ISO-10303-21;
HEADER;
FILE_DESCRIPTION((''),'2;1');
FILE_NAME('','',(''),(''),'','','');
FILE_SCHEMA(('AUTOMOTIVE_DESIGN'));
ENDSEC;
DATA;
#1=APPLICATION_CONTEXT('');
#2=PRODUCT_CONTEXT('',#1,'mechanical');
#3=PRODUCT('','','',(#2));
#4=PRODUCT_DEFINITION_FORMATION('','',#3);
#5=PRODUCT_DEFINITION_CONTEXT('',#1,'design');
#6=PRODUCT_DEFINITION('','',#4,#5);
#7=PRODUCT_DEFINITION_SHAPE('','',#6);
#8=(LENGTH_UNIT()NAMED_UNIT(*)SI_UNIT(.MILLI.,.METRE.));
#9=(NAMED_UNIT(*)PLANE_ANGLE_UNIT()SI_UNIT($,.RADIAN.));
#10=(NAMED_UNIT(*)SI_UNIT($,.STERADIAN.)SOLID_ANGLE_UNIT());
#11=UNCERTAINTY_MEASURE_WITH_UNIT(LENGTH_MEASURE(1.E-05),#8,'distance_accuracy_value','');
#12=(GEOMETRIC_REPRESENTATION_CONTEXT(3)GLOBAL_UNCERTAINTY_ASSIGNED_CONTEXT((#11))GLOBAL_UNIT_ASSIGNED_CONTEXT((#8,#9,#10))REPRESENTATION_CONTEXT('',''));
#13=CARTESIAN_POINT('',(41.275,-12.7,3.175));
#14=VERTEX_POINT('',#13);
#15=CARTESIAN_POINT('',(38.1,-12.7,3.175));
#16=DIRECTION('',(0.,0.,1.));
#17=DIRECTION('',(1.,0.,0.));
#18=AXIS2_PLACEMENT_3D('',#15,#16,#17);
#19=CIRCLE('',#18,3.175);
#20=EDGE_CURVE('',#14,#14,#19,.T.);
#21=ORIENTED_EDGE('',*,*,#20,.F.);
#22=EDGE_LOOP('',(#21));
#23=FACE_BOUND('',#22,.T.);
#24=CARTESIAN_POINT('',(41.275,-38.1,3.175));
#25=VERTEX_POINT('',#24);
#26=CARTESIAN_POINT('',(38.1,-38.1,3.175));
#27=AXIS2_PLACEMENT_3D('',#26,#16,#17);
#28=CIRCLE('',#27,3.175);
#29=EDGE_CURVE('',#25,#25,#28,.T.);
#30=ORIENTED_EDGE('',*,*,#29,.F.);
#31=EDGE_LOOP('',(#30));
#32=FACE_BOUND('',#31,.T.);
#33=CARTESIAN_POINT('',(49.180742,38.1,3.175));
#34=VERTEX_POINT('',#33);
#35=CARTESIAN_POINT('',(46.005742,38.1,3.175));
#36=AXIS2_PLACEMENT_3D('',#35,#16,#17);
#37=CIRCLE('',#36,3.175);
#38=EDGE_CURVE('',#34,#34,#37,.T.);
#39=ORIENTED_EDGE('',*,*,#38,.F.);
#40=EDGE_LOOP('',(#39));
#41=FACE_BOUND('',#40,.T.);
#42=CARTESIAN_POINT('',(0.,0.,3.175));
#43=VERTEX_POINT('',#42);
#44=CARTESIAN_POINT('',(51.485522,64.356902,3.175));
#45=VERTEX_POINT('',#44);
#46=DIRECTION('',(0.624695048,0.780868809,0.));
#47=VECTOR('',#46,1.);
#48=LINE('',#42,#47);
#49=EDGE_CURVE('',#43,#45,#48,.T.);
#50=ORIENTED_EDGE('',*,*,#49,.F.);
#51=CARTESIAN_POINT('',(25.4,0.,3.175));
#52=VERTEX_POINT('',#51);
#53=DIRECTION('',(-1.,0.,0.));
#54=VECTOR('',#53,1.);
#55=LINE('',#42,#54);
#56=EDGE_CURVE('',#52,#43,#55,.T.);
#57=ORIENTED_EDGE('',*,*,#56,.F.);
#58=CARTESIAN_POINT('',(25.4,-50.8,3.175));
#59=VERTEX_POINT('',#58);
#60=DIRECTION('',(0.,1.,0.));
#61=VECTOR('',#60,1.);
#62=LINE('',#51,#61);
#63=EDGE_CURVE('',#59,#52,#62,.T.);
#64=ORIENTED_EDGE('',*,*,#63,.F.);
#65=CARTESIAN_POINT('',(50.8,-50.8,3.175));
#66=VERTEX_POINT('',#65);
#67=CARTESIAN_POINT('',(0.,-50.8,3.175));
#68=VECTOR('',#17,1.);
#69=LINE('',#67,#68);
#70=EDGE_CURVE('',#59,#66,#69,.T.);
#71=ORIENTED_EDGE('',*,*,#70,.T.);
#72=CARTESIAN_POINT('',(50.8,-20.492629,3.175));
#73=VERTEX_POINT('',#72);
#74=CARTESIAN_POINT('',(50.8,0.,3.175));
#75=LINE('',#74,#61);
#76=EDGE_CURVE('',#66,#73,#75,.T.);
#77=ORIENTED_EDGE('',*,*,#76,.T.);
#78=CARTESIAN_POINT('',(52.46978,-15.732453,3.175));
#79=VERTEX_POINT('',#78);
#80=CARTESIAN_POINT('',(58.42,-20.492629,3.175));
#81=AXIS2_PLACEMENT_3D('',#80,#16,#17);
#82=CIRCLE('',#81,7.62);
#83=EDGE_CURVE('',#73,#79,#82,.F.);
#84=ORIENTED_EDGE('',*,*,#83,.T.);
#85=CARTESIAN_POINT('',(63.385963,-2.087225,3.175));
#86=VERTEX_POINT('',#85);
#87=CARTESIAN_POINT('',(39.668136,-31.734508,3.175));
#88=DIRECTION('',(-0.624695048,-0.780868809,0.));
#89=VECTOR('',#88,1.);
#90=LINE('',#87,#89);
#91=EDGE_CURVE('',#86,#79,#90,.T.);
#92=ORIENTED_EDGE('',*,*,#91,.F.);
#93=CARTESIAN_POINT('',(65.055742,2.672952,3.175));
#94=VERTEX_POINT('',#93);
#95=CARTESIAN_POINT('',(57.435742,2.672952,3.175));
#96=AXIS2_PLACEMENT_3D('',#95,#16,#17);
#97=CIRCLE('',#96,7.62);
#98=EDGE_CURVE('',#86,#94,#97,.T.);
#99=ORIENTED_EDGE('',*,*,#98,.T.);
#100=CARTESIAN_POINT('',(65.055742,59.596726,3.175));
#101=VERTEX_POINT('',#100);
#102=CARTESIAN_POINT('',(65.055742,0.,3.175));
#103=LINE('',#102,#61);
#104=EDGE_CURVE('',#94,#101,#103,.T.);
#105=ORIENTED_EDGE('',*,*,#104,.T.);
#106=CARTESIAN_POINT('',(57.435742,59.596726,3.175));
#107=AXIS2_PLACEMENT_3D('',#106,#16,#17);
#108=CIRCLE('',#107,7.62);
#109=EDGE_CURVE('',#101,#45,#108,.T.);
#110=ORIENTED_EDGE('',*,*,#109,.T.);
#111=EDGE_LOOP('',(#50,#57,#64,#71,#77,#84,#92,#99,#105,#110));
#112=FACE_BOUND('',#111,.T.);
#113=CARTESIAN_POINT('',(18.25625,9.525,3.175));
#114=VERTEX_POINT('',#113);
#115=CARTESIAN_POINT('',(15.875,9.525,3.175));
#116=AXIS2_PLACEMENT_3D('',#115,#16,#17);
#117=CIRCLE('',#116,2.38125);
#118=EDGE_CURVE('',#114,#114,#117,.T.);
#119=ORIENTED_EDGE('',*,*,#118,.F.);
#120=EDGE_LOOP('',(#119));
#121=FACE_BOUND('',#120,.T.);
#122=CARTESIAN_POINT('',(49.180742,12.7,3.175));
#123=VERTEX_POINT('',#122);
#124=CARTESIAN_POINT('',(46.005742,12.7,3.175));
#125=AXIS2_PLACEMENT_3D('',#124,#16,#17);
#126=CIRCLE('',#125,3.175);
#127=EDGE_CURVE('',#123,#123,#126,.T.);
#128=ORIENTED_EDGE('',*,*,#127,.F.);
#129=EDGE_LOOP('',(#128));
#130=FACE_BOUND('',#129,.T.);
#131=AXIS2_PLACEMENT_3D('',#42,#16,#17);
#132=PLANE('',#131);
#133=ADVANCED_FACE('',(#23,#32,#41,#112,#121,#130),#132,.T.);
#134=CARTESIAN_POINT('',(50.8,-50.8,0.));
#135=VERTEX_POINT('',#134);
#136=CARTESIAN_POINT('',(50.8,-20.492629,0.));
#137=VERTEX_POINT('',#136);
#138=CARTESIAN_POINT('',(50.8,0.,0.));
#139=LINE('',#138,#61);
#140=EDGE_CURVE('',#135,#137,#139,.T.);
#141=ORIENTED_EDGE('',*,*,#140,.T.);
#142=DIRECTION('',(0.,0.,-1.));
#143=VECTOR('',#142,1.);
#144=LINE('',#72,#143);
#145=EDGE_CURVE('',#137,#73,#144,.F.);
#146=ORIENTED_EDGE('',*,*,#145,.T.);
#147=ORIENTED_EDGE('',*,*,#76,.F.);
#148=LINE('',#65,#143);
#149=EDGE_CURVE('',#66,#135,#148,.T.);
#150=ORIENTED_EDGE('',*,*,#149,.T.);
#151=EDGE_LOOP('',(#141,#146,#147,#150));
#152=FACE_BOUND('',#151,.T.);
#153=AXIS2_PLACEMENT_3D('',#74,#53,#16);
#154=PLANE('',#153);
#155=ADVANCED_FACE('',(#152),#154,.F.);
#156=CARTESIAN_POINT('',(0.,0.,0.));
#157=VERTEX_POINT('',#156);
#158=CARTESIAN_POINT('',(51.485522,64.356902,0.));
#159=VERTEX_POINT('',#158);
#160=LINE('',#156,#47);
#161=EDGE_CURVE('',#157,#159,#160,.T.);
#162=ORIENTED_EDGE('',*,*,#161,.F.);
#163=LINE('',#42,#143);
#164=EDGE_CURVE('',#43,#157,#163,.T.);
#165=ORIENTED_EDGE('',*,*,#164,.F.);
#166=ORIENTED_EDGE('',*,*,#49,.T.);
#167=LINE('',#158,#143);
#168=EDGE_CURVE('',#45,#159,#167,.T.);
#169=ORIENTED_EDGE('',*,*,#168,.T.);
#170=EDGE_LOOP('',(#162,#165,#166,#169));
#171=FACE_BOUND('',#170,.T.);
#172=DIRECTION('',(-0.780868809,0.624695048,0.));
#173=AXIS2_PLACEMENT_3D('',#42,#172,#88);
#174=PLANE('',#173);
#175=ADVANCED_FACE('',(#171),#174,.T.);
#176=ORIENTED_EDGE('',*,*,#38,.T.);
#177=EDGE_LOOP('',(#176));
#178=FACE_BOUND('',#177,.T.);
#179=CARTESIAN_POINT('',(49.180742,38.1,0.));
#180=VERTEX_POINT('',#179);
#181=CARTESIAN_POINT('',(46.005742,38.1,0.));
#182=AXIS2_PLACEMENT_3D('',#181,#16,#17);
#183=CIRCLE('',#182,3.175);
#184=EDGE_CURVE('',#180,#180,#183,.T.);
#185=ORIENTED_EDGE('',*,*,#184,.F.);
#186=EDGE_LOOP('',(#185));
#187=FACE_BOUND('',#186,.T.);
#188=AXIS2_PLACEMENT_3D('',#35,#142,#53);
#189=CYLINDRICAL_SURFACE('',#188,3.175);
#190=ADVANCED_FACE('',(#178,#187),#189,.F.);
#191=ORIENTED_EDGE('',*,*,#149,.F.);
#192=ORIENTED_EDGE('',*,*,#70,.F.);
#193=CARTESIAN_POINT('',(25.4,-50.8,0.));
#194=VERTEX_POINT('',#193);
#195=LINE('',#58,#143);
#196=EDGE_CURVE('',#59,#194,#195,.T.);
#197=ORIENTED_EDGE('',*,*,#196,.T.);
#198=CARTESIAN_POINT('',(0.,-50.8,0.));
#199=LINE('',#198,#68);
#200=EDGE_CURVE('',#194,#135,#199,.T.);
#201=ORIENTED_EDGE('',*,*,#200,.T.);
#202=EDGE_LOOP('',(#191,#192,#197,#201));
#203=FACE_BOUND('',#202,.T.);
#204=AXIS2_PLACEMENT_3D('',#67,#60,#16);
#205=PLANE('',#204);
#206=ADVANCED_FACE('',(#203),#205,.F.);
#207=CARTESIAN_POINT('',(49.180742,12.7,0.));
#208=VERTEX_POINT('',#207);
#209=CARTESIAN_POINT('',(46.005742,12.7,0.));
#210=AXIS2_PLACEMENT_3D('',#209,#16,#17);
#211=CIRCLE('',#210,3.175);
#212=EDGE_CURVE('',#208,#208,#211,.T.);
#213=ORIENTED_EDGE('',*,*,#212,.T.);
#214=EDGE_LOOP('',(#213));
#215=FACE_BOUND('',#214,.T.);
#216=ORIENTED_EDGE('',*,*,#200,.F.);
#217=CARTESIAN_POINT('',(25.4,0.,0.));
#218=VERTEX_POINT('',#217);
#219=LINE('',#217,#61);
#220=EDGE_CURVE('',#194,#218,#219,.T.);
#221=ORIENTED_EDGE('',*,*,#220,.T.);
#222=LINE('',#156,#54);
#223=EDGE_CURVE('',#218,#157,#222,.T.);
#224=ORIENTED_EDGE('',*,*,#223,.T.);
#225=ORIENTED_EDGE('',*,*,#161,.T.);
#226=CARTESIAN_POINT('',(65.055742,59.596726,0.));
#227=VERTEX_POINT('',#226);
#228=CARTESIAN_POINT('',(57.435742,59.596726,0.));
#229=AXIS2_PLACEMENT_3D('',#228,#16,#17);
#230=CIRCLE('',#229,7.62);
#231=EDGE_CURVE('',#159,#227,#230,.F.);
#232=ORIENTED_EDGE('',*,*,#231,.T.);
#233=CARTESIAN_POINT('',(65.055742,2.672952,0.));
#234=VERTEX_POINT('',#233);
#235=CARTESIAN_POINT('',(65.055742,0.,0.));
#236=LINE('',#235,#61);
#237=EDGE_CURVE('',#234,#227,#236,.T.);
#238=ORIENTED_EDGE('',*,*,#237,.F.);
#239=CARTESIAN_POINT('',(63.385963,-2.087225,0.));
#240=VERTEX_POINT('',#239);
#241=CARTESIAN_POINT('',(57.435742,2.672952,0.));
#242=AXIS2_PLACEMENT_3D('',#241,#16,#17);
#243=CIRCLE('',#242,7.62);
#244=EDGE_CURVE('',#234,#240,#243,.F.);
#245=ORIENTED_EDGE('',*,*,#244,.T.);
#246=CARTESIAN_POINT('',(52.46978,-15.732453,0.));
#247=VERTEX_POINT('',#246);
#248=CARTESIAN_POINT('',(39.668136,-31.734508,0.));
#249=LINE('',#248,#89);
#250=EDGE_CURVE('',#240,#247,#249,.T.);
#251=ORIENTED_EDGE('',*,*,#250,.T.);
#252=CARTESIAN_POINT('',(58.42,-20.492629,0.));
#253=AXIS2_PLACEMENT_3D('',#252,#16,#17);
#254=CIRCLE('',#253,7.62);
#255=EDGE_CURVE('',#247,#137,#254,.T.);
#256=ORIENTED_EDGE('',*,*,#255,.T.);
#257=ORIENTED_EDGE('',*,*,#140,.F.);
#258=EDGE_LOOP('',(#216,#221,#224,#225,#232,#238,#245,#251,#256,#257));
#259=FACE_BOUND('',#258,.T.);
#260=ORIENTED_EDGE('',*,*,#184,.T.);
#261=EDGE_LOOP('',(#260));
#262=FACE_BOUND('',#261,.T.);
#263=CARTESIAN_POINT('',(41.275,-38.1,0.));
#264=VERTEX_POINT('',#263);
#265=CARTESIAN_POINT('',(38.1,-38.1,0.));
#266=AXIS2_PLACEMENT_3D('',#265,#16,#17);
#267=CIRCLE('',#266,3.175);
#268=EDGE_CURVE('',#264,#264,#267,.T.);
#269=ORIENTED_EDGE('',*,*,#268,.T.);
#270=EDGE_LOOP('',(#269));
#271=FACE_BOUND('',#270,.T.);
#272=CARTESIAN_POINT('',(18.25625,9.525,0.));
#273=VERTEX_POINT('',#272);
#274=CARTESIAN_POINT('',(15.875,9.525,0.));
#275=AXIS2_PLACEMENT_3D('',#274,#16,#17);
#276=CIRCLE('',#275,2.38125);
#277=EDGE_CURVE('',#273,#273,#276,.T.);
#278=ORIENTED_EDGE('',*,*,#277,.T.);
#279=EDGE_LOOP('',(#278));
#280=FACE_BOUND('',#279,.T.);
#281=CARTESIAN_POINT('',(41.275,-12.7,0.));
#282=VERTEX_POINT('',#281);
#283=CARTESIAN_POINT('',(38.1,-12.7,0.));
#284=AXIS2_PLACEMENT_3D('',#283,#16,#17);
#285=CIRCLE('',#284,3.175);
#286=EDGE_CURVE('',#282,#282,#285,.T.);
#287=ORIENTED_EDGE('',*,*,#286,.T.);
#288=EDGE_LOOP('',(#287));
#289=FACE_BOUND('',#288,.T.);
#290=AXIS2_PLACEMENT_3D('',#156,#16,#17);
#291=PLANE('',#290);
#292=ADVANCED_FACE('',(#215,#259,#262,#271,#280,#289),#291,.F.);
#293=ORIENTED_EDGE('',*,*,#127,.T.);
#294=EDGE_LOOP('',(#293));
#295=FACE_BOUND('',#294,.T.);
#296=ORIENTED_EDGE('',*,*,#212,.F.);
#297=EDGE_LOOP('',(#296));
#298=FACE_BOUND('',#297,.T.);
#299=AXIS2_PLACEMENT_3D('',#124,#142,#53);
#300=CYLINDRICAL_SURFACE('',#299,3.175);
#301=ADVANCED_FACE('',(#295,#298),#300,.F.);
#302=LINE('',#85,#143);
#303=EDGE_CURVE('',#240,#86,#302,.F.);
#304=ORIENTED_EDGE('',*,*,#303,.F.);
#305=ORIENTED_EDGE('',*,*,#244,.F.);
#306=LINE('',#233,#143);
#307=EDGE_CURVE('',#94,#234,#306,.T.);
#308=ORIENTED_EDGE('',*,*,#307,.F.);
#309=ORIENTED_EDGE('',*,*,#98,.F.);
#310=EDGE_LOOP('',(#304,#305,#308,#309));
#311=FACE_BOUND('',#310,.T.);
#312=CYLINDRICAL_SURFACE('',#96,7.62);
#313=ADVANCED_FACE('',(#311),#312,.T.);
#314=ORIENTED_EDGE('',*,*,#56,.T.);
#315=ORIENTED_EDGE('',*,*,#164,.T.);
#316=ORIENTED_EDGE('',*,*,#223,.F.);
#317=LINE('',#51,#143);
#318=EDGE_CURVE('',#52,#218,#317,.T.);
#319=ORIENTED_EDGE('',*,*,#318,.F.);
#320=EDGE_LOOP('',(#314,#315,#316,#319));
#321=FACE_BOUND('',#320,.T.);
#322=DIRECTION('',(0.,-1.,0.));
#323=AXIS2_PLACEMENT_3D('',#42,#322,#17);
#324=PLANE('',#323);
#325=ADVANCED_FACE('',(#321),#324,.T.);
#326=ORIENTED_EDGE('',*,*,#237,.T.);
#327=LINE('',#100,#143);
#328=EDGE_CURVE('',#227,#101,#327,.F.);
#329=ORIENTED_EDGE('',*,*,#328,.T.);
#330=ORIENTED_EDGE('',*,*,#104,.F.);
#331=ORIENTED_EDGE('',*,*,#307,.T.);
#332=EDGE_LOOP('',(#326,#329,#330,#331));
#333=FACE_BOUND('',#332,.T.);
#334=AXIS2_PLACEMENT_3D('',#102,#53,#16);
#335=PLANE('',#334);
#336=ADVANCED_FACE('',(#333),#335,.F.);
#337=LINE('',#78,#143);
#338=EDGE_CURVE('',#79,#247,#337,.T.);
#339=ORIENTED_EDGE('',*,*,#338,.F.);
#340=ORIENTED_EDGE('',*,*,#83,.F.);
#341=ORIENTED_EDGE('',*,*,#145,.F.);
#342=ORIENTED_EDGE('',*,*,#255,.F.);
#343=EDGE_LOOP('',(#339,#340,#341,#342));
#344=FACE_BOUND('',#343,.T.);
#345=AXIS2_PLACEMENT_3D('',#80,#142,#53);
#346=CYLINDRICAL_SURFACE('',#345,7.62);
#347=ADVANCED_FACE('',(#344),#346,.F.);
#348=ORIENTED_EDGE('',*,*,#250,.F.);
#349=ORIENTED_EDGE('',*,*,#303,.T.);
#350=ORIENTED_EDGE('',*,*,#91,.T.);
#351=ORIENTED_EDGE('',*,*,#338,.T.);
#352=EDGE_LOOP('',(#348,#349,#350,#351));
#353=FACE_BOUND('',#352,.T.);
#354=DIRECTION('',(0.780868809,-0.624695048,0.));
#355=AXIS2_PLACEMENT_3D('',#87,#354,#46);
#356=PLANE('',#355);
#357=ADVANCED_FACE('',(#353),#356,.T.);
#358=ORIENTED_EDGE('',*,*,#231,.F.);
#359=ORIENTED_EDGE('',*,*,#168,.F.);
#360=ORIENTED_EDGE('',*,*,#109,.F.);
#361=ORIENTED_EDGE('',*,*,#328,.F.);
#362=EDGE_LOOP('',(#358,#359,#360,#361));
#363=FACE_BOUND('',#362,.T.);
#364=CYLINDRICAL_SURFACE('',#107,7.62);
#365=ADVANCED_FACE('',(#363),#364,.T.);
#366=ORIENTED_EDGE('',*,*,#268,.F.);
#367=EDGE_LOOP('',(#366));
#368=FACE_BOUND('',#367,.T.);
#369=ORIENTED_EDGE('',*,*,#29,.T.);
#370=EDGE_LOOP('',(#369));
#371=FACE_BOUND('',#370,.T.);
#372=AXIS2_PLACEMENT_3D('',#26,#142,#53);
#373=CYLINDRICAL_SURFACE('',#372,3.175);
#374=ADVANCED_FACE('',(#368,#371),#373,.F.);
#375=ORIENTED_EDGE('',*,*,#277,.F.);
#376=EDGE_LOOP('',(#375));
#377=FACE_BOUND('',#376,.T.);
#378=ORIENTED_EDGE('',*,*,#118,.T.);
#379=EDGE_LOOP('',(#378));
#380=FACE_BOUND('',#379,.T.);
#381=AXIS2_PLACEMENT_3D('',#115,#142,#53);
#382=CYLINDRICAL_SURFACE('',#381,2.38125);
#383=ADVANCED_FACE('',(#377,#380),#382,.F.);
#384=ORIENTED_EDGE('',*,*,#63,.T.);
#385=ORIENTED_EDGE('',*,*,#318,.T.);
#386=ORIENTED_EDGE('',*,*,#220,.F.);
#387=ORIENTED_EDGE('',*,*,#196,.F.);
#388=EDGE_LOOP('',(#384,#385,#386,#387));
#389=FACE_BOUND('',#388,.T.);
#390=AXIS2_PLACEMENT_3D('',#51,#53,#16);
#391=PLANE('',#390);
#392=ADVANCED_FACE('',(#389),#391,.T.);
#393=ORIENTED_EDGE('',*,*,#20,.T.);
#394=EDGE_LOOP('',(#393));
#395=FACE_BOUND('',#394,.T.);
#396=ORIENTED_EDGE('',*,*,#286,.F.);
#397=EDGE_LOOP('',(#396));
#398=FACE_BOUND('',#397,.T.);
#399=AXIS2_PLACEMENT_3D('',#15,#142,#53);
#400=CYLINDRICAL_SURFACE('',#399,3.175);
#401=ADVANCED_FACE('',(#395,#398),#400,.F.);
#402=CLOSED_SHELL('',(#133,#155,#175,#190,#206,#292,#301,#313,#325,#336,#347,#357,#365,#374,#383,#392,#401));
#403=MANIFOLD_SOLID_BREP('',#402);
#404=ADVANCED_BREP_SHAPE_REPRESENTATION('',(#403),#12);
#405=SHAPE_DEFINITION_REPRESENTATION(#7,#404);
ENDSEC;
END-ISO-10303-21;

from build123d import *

# Parameters (mm, degrees)
SKETCH1_R           = 2.38125
SKETCH1_R_2         = 3.175
BOSS_EXTRUDE1_DEPTH = 3.175
FILLET1_R           = 7.62


with BuildPart() as part:
    # Sketch1 → Boss-Extrude1 (new body)
    with BuildSketch(Plane.XY):
        Polygon((0, 0), (25.4, 0), (25.4, -50.8), (50.8, -50.8), (50.8, -17.819677815), (65.055742252, 0), (65.055742252, 81.319677815), align=None)
        with Locations((15.875, 9.525)):
            Circle(SKETCH1_R, mode=Mode.SUBTRACT)
        with Locations((46.005742252, 38.1)):
            Circle(SKETCH1_R_2, mode=Mode.SUBTRACT)
        with Locations((46.005742252, 12.7)):
            Circle(SKETCH1_R_2, mode=Mode.SUBTRACT)
        with Locations((38.1, -12.7)):
            Circle(SKETCH1_R_2, mode=Mode.SUBTRACT)
        with Locations((38.1, -38.1)):
            Circle(SKETCH1_R_2, mode=Mode.SUBTRACT)
    extrude(amount=BOSS_EXTRUDE1_DEPTH)

    # Fillet1
    fillet1_edges = [part.edges().sort_by_distance(p)[0] for p in [
        (65.055742252, 81.319677815, 1.5875),
        (65.055742252, 0, 1.5875),
        (50.8, -17.819677815, 1.5875),
    ]]
    fillet(fillet1_edges, radius=FILLET1_R)


solid = part.part
